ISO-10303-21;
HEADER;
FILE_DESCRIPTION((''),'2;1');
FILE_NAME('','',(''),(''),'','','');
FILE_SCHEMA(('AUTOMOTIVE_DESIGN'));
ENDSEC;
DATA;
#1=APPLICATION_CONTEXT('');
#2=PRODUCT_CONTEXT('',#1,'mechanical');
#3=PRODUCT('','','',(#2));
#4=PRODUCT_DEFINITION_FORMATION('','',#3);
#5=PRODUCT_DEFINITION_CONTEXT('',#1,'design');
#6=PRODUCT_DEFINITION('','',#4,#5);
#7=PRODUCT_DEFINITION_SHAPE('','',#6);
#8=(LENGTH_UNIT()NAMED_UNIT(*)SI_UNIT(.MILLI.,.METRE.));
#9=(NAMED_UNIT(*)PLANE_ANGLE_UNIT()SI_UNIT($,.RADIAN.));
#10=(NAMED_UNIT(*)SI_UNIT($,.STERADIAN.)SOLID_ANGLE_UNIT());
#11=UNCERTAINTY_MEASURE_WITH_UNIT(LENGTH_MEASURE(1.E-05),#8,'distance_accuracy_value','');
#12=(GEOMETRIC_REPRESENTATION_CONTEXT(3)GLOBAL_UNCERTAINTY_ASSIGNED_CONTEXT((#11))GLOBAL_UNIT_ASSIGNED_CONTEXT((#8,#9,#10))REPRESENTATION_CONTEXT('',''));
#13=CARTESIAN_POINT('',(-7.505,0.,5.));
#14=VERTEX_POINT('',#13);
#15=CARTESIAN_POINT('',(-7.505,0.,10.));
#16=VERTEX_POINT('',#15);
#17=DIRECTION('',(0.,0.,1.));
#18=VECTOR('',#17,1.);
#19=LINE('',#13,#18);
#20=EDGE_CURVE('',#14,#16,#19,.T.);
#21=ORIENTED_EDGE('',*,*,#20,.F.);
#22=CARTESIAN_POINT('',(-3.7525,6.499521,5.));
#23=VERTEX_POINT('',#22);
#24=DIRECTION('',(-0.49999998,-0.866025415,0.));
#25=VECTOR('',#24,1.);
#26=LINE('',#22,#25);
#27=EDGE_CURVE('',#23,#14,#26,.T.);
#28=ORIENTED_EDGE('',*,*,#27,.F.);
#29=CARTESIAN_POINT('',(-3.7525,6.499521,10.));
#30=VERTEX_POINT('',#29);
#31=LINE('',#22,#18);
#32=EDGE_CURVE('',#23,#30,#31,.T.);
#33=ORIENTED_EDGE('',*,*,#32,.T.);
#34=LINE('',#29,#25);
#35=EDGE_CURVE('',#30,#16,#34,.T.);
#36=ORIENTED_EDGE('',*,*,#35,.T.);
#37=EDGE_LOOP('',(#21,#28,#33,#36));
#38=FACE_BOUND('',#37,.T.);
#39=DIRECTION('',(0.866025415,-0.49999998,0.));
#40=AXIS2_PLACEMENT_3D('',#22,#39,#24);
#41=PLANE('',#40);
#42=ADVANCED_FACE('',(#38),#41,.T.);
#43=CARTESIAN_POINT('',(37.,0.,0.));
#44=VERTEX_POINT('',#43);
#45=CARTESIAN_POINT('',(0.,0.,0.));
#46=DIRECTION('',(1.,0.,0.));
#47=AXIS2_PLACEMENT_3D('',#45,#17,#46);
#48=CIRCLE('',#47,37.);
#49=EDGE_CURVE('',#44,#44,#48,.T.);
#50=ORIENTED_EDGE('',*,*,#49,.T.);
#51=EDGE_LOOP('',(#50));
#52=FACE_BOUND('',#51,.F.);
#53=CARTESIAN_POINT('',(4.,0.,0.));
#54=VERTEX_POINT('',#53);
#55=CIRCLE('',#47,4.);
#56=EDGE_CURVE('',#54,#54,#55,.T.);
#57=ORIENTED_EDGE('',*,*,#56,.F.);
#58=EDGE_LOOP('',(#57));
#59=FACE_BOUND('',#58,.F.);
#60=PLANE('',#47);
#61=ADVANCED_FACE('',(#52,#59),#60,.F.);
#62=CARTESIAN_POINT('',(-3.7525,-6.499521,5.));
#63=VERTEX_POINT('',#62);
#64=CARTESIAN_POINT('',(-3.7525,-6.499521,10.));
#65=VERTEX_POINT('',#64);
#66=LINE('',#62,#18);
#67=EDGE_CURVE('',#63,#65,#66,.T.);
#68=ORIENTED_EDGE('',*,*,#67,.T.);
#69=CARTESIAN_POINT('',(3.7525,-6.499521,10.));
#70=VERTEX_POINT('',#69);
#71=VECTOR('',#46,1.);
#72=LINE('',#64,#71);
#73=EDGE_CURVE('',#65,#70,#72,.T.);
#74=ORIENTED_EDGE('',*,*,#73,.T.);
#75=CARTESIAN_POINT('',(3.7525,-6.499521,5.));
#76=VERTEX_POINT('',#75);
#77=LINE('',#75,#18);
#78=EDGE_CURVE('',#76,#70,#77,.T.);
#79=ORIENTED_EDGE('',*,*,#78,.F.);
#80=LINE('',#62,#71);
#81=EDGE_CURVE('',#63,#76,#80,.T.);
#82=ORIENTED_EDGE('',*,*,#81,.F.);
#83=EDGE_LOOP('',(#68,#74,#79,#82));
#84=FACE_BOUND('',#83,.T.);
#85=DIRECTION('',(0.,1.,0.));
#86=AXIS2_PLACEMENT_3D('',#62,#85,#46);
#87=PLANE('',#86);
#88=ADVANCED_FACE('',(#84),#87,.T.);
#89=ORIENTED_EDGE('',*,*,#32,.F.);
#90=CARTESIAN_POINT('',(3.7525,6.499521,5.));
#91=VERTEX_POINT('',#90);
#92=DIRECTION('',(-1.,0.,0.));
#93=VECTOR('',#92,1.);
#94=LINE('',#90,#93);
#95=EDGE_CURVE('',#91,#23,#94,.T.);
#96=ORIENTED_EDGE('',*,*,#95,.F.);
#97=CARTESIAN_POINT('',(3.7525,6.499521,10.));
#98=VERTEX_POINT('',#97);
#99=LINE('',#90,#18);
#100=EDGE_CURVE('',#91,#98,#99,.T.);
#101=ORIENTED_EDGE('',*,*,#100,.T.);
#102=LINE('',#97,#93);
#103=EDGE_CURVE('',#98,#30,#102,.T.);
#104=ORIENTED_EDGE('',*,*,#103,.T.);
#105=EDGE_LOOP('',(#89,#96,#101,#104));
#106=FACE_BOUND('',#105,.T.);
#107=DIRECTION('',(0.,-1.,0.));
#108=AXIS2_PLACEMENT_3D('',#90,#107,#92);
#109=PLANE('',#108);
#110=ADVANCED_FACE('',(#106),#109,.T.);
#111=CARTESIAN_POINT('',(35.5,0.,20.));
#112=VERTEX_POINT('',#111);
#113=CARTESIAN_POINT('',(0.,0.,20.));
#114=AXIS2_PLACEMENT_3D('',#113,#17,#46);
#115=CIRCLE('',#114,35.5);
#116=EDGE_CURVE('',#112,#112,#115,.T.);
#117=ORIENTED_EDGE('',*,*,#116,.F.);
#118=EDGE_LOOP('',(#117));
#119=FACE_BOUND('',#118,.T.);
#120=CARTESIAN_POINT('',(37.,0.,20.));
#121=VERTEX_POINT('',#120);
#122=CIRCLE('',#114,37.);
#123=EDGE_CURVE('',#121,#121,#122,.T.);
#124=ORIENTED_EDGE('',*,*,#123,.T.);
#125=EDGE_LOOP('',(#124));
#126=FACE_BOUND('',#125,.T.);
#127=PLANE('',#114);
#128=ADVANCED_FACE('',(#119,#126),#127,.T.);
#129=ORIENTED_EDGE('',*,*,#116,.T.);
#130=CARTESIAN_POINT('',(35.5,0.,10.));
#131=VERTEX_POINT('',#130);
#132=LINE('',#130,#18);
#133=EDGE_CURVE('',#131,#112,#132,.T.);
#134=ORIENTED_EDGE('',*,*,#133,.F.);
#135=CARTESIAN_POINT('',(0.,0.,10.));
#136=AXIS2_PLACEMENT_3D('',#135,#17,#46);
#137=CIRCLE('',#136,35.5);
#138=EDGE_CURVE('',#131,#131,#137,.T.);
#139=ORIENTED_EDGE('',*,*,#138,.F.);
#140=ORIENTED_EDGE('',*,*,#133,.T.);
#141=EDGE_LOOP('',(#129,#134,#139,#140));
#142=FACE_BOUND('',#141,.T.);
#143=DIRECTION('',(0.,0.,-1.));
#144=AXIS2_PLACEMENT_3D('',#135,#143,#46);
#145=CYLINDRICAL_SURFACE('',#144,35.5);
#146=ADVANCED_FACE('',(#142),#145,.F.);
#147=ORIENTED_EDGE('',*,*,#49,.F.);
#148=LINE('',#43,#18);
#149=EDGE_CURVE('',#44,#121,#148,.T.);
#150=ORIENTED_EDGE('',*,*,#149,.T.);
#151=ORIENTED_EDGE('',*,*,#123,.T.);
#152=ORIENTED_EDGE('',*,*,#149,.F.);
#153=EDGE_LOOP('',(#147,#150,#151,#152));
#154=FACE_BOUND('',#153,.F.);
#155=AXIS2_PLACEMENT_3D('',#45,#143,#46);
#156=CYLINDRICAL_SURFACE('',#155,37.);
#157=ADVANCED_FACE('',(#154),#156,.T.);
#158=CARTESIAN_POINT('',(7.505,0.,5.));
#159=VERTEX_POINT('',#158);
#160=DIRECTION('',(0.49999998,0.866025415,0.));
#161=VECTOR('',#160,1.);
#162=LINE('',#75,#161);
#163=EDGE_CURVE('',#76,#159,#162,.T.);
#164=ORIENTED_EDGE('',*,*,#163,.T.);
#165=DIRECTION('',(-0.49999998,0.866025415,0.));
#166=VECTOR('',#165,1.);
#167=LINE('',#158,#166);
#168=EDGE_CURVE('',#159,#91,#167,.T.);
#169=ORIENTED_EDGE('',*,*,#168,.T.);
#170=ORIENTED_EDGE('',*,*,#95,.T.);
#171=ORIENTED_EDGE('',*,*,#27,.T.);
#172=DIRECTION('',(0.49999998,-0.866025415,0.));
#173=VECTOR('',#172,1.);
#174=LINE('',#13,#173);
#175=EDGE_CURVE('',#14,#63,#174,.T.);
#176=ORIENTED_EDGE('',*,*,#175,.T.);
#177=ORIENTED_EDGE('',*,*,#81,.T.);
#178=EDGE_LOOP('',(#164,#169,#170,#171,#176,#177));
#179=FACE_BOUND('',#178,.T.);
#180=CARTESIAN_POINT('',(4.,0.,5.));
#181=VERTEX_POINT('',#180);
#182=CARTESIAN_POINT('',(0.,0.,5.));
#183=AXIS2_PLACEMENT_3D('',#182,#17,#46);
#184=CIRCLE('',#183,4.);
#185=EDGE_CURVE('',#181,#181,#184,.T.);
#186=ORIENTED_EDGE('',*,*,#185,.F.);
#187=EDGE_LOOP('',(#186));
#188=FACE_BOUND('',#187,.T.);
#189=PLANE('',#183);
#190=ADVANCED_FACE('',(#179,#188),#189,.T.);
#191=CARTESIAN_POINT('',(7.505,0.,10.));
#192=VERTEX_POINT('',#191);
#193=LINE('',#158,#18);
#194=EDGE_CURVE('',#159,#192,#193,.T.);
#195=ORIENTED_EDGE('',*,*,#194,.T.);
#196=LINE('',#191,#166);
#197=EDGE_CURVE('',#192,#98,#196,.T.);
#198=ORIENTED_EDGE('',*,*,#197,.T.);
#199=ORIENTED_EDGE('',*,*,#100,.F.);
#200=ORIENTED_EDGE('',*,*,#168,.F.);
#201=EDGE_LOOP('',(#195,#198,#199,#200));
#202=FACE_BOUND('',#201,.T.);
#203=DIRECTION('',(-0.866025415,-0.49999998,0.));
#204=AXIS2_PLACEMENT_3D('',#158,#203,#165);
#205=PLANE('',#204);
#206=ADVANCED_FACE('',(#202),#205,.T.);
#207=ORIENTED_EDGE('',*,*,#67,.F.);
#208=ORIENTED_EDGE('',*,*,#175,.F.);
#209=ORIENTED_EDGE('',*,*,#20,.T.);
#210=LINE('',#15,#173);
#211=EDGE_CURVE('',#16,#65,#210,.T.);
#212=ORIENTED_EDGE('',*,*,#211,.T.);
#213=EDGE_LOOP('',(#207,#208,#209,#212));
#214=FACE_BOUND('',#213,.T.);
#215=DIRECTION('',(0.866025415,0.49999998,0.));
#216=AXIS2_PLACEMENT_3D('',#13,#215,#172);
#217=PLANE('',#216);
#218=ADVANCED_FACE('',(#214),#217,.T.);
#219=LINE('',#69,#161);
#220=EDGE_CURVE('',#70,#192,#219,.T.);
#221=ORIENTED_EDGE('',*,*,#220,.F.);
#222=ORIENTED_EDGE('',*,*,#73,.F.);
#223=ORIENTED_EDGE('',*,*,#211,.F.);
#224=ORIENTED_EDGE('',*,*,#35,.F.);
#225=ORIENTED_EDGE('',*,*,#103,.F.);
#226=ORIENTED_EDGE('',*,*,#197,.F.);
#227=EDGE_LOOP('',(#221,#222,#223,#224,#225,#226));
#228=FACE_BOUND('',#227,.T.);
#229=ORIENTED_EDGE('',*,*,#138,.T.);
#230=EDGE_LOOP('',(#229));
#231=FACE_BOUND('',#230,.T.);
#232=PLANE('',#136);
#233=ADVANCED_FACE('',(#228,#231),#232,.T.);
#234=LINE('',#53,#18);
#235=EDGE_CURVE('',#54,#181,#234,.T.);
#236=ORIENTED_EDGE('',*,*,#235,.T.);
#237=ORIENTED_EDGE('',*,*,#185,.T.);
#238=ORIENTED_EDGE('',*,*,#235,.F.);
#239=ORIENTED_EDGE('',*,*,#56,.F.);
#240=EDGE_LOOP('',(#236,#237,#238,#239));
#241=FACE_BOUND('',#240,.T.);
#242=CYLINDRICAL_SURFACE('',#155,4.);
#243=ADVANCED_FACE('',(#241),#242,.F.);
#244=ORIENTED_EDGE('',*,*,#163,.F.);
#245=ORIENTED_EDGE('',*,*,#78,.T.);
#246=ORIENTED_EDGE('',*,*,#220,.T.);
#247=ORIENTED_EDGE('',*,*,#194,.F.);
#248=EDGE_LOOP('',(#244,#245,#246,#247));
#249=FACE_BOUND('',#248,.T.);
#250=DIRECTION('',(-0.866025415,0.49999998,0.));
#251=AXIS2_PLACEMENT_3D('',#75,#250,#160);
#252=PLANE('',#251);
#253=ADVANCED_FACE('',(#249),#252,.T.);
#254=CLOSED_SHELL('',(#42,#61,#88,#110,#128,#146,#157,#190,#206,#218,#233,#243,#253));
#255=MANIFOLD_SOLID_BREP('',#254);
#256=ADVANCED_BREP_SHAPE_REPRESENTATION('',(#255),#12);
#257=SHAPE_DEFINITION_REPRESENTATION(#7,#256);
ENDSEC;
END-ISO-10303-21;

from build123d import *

# Parameters (mm, degrees)
EXTRUDE_DEPTH     = 5
CYLINDER_R        = 37
CYLINDER_DEPTH    = 20
CYLINDER001_R     = 35.5
CYLINDER001_DEPTH = 10
CYLINDER002_R     = 4
CYLINDER002_DEPTH = 5


with BuildPart() as extrude_body:
    # Polygon → Extrude (new body)
    with BuildSketch(Plane.XY):
        Polygon((7.505, 0), (3.7525, 6.499521), (-3.7525, 6.499521), (-7.505, 0), (-3.7525, -6.499521), (3.7525, -6.499521), align=None)
    extrude(amount=EXTRUDE_DEPTH)


with BuildPart() as extrude_body_1:
    # Extrude placement: moved
    add(extrude_body.part.moved(Location((0, 0, 5))))


with BuildPart() as cylinder:
    # Cylinder → Cylinder (new body)
    with BuildSketch(Plane.XY):
        Circle(CYLINDER_R)
    extrude(amount=CYLINDER_DEPTH)


with BuildPart() as cut:
    # Cut base: copy of Cylinder
    add(cylinder.part)

    # Cut: cut Extrude body
    add(extrude_body_1.part, mode=Mode.SUBTRACT)


with BuildPart() as cylinder001:
    # Cylinder001 → Cylinder001 (new body)
    with BuildSketch(Plane.XY.offset(10)):
        Circle(CYLINDER001_R)
    extrude(amount=CYLINDER001_DEPTH)


with BuildPart() as cut001:
    # Cut001 base: copy of Cylinder
    add(cylinder.part)

    # Cut001: cut Cylinder001
    add(cylinder001.part, mode=Mode.SUBTRACT)


with BuildPart() as cylinder002:
    # Cylinder002 → Cylinder002 (new body)
    with BuildSketch(Plane.XY):
        Circle(CYLINDER002_R)
    extrude(amount=CYLINDER002_DEPTH)


with BuildPart() as common:
    # Cut002 base: copy of Cylinder
    add(cylinder.part)

    # Cut002: cut Cylinder002
    add(cylinder002.part, mode=Mode.SUBTRACT)

    # Common: intersect Cut, Cut001
    add(cut.part, mode=Mode.INTERSECT)
    add(cut001.part, mode=Mode.INTERSECT)


solid = common.part
